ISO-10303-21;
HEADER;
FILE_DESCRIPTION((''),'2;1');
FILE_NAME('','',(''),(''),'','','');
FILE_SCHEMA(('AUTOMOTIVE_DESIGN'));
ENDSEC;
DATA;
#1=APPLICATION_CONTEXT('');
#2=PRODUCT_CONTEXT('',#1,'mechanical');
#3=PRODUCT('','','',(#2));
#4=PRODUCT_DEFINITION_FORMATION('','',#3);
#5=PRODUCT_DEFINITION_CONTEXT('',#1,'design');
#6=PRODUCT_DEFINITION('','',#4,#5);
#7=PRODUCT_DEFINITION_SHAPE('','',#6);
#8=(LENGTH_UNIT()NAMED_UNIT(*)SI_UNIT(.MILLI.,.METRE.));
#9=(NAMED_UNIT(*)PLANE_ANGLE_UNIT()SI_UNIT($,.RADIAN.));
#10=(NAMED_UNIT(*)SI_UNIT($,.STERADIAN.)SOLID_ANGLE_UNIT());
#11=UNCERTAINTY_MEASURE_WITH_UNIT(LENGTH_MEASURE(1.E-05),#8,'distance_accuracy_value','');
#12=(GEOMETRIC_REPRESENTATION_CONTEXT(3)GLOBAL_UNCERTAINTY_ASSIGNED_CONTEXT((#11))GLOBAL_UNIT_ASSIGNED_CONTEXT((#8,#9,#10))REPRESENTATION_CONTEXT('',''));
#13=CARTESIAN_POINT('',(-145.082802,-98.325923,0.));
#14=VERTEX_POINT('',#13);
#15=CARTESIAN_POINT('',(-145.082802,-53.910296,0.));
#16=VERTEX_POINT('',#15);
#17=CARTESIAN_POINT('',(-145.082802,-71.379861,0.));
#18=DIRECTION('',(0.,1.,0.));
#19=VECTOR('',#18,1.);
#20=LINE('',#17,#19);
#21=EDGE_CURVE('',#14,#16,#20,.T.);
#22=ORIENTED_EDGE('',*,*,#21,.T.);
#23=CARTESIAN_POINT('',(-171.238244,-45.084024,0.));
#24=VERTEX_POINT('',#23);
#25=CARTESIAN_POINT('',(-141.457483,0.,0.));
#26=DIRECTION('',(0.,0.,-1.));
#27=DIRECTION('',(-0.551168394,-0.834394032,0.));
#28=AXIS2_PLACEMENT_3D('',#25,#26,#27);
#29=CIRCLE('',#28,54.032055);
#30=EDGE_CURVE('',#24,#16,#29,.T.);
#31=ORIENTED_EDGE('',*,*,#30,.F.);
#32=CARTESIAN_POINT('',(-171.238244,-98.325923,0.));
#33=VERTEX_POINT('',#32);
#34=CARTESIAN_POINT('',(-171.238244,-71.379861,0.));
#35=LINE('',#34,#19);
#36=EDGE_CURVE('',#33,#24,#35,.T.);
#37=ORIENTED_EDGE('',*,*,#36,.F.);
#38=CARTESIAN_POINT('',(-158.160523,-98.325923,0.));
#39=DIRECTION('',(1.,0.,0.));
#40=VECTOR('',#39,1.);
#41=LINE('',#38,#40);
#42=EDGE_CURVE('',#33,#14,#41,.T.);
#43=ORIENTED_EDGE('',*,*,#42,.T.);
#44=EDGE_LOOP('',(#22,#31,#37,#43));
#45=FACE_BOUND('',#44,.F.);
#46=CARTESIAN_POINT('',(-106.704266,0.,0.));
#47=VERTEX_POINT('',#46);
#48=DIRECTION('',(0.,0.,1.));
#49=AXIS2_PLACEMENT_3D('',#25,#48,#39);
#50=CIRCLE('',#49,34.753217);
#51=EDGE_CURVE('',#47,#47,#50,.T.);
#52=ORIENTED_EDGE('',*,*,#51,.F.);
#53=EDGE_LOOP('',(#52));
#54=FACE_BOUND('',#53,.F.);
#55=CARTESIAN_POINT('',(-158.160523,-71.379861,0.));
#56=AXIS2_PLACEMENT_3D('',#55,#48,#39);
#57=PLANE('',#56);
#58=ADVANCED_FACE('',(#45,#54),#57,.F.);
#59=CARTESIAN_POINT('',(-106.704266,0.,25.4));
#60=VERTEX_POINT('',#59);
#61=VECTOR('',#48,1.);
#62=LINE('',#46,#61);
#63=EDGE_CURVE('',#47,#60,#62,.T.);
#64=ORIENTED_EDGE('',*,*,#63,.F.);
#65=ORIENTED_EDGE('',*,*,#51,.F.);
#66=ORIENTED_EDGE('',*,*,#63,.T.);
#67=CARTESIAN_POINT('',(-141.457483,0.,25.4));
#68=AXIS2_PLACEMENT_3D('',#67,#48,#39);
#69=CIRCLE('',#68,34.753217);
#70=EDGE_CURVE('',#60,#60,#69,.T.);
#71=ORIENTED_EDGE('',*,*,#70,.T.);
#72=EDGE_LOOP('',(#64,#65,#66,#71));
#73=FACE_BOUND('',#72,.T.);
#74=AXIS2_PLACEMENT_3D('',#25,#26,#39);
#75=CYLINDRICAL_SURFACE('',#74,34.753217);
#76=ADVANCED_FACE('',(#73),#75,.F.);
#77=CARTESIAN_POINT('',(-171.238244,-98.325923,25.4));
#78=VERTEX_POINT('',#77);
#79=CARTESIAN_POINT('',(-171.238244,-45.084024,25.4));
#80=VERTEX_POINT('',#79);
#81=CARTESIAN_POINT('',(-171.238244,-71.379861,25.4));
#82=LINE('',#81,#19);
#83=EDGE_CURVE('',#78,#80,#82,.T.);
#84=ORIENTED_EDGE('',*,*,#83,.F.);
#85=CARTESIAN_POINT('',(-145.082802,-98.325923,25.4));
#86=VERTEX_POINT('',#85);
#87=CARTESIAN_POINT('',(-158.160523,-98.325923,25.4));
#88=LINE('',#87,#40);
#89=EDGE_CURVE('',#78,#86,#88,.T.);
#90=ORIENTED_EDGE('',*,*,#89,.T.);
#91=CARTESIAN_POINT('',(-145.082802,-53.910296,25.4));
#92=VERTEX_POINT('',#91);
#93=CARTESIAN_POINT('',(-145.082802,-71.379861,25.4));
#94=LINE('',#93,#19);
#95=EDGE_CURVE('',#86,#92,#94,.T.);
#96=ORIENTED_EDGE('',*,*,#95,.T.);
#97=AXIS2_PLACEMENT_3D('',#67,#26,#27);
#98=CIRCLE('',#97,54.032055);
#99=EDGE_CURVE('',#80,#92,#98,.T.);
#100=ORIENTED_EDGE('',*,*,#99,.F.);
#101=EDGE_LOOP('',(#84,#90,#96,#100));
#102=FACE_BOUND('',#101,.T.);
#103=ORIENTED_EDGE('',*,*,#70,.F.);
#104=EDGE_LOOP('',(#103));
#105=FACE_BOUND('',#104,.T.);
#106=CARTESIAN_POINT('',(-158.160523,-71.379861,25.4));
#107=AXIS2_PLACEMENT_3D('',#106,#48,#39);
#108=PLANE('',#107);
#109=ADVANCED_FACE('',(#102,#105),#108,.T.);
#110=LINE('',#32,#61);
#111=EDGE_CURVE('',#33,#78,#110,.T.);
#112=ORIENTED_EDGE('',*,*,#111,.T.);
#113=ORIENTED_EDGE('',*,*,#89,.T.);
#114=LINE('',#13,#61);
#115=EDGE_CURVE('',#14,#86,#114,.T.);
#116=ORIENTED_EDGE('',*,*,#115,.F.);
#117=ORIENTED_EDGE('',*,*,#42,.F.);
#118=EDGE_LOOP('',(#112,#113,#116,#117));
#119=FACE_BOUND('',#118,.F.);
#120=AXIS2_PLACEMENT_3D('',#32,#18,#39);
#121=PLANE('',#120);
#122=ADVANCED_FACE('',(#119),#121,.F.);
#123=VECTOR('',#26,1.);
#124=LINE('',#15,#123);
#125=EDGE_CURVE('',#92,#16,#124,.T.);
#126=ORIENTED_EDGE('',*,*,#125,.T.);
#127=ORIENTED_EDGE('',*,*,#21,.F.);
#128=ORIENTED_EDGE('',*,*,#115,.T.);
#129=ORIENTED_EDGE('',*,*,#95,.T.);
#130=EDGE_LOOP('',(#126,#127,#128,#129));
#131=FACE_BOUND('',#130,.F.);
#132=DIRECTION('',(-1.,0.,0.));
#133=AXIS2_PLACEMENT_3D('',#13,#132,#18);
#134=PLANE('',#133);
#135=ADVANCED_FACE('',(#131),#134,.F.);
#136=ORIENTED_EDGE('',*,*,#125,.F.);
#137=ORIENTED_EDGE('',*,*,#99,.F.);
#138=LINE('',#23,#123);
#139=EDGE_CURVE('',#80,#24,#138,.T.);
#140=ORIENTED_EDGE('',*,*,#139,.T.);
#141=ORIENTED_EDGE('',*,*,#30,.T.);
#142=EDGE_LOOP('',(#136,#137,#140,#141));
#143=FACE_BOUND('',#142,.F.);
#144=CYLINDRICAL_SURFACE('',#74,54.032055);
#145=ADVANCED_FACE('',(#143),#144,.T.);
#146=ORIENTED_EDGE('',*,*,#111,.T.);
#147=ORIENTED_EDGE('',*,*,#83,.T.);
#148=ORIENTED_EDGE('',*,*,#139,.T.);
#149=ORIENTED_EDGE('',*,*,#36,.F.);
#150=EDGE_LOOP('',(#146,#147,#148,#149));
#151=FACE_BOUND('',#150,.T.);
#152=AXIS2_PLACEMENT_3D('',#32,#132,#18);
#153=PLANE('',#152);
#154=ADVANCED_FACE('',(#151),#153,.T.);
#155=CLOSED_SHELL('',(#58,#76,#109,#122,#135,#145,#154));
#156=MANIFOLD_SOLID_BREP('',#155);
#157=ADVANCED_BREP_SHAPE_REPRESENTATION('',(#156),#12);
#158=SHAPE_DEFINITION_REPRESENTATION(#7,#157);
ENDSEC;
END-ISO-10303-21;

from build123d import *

# Parameters (mm, degrees)
F0_R     = 54.032055
F0_R_2   = 34.753217
F1_DEPTH = 25.4
F2_W     = 26.155442
F2_H     = 53.892124
F3_DEPTH = 25.4


with BuildPart() as f1:
    # F0 (on Top) → F1 (new body)
    with BuildSketch(Plane.XY):
        with Locations((-141.457483, 0)):
            Circle(F0_R)
        with Locations((-141.457483, 0)):
            Circle(F0_R_2, mode=Mode.SUBTRACT)
    extrude(amount=F1_DEPTH)

    # F2 (on Top) → F3 (join)
    with BuildSketch(Plane.XY):
        with Locations((-158.160523, -71.379861)):
            Rectangle(F2_W, F2_H)
    extrude(amount=F3_DEPTH)


solid = f1.part
